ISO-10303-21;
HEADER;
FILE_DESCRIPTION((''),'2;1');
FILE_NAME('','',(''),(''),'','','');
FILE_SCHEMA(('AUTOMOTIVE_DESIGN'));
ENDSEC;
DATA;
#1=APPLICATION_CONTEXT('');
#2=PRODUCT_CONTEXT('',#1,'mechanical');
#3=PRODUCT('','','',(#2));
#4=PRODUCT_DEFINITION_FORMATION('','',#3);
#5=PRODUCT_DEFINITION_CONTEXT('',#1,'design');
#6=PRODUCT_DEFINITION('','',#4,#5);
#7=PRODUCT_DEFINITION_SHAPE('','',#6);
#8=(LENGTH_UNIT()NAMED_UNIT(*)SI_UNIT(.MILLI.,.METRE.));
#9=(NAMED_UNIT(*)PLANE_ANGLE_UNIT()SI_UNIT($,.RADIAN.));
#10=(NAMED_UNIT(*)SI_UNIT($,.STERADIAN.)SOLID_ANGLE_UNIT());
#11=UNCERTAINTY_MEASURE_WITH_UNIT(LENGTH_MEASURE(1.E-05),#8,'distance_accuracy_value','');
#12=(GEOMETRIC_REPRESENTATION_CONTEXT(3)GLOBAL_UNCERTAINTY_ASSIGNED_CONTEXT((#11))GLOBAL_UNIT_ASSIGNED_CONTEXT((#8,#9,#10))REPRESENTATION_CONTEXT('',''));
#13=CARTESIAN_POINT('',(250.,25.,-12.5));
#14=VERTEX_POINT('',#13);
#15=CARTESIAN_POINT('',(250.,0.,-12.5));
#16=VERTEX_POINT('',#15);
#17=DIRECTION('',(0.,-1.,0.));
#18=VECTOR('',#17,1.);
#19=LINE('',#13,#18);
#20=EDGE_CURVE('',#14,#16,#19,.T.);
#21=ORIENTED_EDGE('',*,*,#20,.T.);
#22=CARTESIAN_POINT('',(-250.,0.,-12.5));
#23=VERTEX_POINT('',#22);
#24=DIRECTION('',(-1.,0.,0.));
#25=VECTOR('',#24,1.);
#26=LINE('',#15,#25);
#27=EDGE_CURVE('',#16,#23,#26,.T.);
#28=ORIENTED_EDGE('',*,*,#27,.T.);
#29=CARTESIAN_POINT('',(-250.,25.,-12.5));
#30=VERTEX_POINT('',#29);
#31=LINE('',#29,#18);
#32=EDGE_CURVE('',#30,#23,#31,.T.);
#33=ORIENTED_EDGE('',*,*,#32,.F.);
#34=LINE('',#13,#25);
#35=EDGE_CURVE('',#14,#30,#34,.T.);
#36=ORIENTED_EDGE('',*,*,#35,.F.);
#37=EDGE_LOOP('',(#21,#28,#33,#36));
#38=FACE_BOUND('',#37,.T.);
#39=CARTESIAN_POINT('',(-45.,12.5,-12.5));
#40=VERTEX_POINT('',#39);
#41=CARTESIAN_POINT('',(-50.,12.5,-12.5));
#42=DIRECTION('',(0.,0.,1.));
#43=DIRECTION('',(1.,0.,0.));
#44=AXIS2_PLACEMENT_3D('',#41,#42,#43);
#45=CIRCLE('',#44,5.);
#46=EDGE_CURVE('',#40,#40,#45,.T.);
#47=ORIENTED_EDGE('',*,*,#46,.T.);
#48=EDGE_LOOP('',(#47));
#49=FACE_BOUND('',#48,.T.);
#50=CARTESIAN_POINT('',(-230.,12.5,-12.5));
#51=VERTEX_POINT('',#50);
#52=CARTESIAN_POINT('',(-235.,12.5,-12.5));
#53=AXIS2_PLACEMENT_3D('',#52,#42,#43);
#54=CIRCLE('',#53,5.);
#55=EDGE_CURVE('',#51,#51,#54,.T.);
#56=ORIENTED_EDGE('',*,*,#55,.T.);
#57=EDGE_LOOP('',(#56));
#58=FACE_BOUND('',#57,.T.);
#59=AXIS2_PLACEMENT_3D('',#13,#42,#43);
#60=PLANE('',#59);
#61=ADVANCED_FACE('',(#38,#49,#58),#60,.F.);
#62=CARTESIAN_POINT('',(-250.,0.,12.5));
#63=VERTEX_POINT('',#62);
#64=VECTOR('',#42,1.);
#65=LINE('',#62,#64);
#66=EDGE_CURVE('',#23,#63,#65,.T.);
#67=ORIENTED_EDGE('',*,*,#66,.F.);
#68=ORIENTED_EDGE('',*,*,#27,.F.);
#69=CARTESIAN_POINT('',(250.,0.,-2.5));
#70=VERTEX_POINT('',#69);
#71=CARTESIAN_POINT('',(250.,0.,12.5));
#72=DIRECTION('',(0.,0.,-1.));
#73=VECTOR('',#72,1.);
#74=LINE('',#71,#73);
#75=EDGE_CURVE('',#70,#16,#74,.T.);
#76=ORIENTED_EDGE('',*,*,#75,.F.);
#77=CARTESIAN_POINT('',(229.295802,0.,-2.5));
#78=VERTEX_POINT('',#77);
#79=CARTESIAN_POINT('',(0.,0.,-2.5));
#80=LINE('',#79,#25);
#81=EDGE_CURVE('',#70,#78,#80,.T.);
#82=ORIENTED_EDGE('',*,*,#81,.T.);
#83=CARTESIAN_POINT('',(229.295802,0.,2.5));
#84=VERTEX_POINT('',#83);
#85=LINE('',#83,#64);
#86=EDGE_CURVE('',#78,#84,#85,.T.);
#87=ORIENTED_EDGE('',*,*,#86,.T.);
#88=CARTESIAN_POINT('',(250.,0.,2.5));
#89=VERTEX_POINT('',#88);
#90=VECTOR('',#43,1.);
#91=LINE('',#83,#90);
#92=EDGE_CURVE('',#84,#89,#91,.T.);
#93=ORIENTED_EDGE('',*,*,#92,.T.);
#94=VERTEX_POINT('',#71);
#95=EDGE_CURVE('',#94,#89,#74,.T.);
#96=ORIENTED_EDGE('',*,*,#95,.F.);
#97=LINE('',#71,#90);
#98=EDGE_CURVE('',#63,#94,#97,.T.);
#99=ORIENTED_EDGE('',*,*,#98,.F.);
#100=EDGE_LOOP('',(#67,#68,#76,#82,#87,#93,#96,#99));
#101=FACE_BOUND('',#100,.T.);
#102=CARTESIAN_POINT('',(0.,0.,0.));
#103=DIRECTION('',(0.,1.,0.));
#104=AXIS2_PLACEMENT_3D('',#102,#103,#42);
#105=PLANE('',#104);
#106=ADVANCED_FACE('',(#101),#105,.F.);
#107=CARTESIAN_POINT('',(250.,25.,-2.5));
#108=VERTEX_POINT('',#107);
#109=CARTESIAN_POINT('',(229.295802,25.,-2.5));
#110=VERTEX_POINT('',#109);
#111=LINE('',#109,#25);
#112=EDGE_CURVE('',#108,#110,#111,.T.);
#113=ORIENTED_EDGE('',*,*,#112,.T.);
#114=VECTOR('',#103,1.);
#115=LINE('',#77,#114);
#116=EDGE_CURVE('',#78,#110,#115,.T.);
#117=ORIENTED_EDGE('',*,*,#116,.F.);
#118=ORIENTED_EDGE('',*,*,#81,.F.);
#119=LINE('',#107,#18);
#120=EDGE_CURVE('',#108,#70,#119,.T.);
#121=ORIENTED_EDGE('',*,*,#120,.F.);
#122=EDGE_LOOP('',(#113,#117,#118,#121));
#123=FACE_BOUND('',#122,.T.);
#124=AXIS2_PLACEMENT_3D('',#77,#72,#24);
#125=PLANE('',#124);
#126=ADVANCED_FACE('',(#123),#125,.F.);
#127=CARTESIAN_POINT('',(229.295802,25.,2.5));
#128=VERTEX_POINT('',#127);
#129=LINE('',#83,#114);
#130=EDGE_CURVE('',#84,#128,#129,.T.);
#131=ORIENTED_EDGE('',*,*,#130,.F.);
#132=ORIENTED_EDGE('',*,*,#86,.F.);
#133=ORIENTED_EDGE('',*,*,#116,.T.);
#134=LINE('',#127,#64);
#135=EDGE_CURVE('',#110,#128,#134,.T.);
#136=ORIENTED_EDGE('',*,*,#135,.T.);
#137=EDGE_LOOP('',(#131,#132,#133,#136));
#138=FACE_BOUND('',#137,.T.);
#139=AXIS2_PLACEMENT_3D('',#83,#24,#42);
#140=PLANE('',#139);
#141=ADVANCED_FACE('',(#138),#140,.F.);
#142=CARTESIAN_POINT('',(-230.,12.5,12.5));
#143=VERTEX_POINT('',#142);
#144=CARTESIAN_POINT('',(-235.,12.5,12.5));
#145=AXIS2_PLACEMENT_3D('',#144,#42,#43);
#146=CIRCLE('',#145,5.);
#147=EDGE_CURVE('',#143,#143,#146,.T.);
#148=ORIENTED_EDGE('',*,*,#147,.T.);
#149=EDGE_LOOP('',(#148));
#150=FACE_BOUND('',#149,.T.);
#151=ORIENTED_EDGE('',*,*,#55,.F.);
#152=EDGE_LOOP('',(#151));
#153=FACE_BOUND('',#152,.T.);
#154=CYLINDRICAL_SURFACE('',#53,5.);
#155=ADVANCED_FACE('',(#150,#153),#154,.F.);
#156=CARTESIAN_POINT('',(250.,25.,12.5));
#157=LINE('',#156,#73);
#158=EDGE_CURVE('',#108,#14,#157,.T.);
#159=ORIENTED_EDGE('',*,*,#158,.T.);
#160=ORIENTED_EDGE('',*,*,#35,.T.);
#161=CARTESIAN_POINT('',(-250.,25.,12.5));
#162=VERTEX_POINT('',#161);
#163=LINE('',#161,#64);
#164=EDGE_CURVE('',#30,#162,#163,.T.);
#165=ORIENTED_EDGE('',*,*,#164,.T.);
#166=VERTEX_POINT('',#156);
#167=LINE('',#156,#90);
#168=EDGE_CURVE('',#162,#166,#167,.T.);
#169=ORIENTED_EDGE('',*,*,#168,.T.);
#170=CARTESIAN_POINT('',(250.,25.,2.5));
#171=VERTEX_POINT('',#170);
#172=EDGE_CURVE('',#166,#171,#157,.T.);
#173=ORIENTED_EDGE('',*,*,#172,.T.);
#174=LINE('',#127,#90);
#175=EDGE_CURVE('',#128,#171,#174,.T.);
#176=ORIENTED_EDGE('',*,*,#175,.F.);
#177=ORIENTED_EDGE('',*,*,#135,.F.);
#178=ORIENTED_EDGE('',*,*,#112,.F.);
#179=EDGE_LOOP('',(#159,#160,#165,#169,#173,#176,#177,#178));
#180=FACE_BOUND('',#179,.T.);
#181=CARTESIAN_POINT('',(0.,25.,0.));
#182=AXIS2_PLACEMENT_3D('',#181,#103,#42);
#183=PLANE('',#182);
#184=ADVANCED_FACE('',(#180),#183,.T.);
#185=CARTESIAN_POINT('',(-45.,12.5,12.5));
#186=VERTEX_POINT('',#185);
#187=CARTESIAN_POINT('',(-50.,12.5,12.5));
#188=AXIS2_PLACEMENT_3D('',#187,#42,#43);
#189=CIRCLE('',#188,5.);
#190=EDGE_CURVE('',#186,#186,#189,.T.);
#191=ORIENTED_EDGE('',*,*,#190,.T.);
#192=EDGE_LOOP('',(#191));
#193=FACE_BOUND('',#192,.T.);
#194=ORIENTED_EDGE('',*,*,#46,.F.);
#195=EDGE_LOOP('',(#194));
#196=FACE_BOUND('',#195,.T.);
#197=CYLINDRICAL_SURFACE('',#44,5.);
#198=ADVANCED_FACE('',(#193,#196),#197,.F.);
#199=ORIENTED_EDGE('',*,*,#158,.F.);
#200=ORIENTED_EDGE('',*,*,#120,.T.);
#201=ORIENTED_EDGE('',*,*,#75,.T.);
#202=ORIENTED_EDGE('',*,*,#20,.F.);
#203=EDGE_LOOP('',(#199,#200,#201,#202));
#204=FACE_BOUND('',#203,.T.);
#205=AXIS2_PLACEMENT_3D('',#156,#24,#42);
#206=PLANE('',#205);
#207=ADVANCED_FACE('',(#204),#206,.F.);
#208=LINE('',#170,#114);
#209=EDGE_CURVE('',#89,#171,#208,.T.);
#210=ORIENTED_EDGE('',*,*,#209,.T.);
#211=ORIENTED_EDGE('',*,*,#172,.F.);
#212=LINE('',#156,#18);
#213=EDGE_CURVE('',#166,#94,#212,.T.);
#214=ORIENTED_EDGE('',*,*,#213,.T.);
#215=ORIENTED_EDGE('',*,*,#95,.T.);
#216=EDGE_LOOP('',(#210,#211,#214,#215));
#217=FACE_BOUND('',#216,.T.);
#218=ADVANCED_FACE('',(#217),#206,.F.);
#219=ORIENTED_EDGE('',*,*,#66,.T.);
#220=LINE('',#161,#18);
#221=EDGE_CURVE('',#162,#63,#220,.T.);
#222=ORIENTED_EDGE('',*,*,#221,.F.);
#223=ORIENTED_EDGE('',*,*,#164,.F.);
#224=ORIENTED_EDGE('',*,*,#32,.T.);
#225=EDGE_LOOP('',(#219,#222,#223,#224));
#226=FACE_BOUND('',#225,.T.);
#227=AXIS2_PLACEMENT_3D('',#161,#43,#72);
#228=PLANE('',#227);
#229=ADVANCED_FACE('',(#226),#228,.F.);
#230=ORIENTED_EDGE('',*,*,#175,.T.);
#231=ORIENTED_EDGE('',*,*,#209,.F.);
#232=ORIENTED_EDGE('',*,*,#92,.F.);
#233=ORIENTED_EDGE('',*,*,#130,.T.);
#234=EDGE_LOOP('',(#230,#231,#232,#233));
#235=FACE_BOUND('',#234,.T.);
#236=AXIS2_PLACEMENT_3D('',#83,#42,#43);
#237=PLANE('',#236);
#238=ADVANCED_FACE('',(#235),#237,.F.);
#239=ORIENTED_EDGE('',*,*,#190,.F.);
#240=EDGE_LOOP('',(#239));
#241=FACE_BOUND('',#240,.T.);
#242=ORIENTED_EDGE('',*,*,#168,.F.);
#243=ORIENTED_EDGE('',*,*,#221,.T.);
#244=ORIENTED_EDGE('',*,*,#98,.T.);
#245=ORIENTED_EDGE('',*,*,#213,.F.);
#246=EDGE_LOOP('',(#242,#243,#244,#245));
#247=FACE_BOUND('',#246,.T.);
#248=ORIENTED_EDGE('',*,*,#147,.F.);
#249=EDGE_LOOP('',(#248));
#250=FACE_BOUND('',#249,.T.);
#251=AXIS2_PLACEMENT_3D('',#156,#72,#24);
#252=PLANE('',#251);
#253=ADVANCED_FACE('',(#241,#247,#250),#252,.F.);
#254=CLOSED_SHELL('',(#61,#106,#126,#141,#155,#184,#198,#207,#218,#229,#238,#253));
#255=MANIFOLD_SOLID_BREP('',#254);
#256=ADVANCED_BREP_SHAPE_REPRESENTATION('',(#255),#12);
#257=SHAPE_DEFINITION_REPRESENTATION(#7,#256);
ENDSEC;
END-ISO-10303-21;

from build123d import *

# Parameters (mm, degrees)
SKETCH1_W           = 500
SKETCH1_H           = 25
BOSS_EXTRUDE1_DEPTH = 25
SKETCH2_R           = 5
CUT_EXTRUDE1_DEPTH  = 25
SKETCH5_W           = 20.75
SKETCH5_H           = 5
CUT_EXTRUDE2_DEPTH  = 25


with BuildPart() as part:
    # Sketch1 → Boss-Extrude1 (new body)
    with BuildSketch(Plane(origin=(0, 0, 0), x_dir=(1, 0, 0), z_dir=(0, 1, 0))):
        Rectangle(SKETCH1_W, SKETCH1_H)
    extrude(amount=BOSS_EXTRUDE1_DEPTH)

    # Sketch2 → Cut-Extrude1 (cut)
    with BuildSketch(Plane.XY.offset(12.5)):
        with Locations((-235, 12.5)):
            Circle(SKETCH2_R)
        with Locations((-50, 12.5)):
            Circle(SKETCH2_R)
    extrude(amount=-CUT_EXTRUDE1_DEPTH, mode=Mode.SUBTRACT)

    # Sketch5 → Cut-Extrude2 (cut)
    with BuildSketch(Plane(origin=(0, 25, 0), x_dir=(1, 0, 0), z_dir=(0, 1, 0))):
        with Locations((239.670802425, 0)):
            Rectangle(SKETCH5_W, SKETCH5_H)
    extrude(amount=-CUT_EXTRUDE2_DEPTH, mode=Mode.SUBTRACT)


solid = part.part
